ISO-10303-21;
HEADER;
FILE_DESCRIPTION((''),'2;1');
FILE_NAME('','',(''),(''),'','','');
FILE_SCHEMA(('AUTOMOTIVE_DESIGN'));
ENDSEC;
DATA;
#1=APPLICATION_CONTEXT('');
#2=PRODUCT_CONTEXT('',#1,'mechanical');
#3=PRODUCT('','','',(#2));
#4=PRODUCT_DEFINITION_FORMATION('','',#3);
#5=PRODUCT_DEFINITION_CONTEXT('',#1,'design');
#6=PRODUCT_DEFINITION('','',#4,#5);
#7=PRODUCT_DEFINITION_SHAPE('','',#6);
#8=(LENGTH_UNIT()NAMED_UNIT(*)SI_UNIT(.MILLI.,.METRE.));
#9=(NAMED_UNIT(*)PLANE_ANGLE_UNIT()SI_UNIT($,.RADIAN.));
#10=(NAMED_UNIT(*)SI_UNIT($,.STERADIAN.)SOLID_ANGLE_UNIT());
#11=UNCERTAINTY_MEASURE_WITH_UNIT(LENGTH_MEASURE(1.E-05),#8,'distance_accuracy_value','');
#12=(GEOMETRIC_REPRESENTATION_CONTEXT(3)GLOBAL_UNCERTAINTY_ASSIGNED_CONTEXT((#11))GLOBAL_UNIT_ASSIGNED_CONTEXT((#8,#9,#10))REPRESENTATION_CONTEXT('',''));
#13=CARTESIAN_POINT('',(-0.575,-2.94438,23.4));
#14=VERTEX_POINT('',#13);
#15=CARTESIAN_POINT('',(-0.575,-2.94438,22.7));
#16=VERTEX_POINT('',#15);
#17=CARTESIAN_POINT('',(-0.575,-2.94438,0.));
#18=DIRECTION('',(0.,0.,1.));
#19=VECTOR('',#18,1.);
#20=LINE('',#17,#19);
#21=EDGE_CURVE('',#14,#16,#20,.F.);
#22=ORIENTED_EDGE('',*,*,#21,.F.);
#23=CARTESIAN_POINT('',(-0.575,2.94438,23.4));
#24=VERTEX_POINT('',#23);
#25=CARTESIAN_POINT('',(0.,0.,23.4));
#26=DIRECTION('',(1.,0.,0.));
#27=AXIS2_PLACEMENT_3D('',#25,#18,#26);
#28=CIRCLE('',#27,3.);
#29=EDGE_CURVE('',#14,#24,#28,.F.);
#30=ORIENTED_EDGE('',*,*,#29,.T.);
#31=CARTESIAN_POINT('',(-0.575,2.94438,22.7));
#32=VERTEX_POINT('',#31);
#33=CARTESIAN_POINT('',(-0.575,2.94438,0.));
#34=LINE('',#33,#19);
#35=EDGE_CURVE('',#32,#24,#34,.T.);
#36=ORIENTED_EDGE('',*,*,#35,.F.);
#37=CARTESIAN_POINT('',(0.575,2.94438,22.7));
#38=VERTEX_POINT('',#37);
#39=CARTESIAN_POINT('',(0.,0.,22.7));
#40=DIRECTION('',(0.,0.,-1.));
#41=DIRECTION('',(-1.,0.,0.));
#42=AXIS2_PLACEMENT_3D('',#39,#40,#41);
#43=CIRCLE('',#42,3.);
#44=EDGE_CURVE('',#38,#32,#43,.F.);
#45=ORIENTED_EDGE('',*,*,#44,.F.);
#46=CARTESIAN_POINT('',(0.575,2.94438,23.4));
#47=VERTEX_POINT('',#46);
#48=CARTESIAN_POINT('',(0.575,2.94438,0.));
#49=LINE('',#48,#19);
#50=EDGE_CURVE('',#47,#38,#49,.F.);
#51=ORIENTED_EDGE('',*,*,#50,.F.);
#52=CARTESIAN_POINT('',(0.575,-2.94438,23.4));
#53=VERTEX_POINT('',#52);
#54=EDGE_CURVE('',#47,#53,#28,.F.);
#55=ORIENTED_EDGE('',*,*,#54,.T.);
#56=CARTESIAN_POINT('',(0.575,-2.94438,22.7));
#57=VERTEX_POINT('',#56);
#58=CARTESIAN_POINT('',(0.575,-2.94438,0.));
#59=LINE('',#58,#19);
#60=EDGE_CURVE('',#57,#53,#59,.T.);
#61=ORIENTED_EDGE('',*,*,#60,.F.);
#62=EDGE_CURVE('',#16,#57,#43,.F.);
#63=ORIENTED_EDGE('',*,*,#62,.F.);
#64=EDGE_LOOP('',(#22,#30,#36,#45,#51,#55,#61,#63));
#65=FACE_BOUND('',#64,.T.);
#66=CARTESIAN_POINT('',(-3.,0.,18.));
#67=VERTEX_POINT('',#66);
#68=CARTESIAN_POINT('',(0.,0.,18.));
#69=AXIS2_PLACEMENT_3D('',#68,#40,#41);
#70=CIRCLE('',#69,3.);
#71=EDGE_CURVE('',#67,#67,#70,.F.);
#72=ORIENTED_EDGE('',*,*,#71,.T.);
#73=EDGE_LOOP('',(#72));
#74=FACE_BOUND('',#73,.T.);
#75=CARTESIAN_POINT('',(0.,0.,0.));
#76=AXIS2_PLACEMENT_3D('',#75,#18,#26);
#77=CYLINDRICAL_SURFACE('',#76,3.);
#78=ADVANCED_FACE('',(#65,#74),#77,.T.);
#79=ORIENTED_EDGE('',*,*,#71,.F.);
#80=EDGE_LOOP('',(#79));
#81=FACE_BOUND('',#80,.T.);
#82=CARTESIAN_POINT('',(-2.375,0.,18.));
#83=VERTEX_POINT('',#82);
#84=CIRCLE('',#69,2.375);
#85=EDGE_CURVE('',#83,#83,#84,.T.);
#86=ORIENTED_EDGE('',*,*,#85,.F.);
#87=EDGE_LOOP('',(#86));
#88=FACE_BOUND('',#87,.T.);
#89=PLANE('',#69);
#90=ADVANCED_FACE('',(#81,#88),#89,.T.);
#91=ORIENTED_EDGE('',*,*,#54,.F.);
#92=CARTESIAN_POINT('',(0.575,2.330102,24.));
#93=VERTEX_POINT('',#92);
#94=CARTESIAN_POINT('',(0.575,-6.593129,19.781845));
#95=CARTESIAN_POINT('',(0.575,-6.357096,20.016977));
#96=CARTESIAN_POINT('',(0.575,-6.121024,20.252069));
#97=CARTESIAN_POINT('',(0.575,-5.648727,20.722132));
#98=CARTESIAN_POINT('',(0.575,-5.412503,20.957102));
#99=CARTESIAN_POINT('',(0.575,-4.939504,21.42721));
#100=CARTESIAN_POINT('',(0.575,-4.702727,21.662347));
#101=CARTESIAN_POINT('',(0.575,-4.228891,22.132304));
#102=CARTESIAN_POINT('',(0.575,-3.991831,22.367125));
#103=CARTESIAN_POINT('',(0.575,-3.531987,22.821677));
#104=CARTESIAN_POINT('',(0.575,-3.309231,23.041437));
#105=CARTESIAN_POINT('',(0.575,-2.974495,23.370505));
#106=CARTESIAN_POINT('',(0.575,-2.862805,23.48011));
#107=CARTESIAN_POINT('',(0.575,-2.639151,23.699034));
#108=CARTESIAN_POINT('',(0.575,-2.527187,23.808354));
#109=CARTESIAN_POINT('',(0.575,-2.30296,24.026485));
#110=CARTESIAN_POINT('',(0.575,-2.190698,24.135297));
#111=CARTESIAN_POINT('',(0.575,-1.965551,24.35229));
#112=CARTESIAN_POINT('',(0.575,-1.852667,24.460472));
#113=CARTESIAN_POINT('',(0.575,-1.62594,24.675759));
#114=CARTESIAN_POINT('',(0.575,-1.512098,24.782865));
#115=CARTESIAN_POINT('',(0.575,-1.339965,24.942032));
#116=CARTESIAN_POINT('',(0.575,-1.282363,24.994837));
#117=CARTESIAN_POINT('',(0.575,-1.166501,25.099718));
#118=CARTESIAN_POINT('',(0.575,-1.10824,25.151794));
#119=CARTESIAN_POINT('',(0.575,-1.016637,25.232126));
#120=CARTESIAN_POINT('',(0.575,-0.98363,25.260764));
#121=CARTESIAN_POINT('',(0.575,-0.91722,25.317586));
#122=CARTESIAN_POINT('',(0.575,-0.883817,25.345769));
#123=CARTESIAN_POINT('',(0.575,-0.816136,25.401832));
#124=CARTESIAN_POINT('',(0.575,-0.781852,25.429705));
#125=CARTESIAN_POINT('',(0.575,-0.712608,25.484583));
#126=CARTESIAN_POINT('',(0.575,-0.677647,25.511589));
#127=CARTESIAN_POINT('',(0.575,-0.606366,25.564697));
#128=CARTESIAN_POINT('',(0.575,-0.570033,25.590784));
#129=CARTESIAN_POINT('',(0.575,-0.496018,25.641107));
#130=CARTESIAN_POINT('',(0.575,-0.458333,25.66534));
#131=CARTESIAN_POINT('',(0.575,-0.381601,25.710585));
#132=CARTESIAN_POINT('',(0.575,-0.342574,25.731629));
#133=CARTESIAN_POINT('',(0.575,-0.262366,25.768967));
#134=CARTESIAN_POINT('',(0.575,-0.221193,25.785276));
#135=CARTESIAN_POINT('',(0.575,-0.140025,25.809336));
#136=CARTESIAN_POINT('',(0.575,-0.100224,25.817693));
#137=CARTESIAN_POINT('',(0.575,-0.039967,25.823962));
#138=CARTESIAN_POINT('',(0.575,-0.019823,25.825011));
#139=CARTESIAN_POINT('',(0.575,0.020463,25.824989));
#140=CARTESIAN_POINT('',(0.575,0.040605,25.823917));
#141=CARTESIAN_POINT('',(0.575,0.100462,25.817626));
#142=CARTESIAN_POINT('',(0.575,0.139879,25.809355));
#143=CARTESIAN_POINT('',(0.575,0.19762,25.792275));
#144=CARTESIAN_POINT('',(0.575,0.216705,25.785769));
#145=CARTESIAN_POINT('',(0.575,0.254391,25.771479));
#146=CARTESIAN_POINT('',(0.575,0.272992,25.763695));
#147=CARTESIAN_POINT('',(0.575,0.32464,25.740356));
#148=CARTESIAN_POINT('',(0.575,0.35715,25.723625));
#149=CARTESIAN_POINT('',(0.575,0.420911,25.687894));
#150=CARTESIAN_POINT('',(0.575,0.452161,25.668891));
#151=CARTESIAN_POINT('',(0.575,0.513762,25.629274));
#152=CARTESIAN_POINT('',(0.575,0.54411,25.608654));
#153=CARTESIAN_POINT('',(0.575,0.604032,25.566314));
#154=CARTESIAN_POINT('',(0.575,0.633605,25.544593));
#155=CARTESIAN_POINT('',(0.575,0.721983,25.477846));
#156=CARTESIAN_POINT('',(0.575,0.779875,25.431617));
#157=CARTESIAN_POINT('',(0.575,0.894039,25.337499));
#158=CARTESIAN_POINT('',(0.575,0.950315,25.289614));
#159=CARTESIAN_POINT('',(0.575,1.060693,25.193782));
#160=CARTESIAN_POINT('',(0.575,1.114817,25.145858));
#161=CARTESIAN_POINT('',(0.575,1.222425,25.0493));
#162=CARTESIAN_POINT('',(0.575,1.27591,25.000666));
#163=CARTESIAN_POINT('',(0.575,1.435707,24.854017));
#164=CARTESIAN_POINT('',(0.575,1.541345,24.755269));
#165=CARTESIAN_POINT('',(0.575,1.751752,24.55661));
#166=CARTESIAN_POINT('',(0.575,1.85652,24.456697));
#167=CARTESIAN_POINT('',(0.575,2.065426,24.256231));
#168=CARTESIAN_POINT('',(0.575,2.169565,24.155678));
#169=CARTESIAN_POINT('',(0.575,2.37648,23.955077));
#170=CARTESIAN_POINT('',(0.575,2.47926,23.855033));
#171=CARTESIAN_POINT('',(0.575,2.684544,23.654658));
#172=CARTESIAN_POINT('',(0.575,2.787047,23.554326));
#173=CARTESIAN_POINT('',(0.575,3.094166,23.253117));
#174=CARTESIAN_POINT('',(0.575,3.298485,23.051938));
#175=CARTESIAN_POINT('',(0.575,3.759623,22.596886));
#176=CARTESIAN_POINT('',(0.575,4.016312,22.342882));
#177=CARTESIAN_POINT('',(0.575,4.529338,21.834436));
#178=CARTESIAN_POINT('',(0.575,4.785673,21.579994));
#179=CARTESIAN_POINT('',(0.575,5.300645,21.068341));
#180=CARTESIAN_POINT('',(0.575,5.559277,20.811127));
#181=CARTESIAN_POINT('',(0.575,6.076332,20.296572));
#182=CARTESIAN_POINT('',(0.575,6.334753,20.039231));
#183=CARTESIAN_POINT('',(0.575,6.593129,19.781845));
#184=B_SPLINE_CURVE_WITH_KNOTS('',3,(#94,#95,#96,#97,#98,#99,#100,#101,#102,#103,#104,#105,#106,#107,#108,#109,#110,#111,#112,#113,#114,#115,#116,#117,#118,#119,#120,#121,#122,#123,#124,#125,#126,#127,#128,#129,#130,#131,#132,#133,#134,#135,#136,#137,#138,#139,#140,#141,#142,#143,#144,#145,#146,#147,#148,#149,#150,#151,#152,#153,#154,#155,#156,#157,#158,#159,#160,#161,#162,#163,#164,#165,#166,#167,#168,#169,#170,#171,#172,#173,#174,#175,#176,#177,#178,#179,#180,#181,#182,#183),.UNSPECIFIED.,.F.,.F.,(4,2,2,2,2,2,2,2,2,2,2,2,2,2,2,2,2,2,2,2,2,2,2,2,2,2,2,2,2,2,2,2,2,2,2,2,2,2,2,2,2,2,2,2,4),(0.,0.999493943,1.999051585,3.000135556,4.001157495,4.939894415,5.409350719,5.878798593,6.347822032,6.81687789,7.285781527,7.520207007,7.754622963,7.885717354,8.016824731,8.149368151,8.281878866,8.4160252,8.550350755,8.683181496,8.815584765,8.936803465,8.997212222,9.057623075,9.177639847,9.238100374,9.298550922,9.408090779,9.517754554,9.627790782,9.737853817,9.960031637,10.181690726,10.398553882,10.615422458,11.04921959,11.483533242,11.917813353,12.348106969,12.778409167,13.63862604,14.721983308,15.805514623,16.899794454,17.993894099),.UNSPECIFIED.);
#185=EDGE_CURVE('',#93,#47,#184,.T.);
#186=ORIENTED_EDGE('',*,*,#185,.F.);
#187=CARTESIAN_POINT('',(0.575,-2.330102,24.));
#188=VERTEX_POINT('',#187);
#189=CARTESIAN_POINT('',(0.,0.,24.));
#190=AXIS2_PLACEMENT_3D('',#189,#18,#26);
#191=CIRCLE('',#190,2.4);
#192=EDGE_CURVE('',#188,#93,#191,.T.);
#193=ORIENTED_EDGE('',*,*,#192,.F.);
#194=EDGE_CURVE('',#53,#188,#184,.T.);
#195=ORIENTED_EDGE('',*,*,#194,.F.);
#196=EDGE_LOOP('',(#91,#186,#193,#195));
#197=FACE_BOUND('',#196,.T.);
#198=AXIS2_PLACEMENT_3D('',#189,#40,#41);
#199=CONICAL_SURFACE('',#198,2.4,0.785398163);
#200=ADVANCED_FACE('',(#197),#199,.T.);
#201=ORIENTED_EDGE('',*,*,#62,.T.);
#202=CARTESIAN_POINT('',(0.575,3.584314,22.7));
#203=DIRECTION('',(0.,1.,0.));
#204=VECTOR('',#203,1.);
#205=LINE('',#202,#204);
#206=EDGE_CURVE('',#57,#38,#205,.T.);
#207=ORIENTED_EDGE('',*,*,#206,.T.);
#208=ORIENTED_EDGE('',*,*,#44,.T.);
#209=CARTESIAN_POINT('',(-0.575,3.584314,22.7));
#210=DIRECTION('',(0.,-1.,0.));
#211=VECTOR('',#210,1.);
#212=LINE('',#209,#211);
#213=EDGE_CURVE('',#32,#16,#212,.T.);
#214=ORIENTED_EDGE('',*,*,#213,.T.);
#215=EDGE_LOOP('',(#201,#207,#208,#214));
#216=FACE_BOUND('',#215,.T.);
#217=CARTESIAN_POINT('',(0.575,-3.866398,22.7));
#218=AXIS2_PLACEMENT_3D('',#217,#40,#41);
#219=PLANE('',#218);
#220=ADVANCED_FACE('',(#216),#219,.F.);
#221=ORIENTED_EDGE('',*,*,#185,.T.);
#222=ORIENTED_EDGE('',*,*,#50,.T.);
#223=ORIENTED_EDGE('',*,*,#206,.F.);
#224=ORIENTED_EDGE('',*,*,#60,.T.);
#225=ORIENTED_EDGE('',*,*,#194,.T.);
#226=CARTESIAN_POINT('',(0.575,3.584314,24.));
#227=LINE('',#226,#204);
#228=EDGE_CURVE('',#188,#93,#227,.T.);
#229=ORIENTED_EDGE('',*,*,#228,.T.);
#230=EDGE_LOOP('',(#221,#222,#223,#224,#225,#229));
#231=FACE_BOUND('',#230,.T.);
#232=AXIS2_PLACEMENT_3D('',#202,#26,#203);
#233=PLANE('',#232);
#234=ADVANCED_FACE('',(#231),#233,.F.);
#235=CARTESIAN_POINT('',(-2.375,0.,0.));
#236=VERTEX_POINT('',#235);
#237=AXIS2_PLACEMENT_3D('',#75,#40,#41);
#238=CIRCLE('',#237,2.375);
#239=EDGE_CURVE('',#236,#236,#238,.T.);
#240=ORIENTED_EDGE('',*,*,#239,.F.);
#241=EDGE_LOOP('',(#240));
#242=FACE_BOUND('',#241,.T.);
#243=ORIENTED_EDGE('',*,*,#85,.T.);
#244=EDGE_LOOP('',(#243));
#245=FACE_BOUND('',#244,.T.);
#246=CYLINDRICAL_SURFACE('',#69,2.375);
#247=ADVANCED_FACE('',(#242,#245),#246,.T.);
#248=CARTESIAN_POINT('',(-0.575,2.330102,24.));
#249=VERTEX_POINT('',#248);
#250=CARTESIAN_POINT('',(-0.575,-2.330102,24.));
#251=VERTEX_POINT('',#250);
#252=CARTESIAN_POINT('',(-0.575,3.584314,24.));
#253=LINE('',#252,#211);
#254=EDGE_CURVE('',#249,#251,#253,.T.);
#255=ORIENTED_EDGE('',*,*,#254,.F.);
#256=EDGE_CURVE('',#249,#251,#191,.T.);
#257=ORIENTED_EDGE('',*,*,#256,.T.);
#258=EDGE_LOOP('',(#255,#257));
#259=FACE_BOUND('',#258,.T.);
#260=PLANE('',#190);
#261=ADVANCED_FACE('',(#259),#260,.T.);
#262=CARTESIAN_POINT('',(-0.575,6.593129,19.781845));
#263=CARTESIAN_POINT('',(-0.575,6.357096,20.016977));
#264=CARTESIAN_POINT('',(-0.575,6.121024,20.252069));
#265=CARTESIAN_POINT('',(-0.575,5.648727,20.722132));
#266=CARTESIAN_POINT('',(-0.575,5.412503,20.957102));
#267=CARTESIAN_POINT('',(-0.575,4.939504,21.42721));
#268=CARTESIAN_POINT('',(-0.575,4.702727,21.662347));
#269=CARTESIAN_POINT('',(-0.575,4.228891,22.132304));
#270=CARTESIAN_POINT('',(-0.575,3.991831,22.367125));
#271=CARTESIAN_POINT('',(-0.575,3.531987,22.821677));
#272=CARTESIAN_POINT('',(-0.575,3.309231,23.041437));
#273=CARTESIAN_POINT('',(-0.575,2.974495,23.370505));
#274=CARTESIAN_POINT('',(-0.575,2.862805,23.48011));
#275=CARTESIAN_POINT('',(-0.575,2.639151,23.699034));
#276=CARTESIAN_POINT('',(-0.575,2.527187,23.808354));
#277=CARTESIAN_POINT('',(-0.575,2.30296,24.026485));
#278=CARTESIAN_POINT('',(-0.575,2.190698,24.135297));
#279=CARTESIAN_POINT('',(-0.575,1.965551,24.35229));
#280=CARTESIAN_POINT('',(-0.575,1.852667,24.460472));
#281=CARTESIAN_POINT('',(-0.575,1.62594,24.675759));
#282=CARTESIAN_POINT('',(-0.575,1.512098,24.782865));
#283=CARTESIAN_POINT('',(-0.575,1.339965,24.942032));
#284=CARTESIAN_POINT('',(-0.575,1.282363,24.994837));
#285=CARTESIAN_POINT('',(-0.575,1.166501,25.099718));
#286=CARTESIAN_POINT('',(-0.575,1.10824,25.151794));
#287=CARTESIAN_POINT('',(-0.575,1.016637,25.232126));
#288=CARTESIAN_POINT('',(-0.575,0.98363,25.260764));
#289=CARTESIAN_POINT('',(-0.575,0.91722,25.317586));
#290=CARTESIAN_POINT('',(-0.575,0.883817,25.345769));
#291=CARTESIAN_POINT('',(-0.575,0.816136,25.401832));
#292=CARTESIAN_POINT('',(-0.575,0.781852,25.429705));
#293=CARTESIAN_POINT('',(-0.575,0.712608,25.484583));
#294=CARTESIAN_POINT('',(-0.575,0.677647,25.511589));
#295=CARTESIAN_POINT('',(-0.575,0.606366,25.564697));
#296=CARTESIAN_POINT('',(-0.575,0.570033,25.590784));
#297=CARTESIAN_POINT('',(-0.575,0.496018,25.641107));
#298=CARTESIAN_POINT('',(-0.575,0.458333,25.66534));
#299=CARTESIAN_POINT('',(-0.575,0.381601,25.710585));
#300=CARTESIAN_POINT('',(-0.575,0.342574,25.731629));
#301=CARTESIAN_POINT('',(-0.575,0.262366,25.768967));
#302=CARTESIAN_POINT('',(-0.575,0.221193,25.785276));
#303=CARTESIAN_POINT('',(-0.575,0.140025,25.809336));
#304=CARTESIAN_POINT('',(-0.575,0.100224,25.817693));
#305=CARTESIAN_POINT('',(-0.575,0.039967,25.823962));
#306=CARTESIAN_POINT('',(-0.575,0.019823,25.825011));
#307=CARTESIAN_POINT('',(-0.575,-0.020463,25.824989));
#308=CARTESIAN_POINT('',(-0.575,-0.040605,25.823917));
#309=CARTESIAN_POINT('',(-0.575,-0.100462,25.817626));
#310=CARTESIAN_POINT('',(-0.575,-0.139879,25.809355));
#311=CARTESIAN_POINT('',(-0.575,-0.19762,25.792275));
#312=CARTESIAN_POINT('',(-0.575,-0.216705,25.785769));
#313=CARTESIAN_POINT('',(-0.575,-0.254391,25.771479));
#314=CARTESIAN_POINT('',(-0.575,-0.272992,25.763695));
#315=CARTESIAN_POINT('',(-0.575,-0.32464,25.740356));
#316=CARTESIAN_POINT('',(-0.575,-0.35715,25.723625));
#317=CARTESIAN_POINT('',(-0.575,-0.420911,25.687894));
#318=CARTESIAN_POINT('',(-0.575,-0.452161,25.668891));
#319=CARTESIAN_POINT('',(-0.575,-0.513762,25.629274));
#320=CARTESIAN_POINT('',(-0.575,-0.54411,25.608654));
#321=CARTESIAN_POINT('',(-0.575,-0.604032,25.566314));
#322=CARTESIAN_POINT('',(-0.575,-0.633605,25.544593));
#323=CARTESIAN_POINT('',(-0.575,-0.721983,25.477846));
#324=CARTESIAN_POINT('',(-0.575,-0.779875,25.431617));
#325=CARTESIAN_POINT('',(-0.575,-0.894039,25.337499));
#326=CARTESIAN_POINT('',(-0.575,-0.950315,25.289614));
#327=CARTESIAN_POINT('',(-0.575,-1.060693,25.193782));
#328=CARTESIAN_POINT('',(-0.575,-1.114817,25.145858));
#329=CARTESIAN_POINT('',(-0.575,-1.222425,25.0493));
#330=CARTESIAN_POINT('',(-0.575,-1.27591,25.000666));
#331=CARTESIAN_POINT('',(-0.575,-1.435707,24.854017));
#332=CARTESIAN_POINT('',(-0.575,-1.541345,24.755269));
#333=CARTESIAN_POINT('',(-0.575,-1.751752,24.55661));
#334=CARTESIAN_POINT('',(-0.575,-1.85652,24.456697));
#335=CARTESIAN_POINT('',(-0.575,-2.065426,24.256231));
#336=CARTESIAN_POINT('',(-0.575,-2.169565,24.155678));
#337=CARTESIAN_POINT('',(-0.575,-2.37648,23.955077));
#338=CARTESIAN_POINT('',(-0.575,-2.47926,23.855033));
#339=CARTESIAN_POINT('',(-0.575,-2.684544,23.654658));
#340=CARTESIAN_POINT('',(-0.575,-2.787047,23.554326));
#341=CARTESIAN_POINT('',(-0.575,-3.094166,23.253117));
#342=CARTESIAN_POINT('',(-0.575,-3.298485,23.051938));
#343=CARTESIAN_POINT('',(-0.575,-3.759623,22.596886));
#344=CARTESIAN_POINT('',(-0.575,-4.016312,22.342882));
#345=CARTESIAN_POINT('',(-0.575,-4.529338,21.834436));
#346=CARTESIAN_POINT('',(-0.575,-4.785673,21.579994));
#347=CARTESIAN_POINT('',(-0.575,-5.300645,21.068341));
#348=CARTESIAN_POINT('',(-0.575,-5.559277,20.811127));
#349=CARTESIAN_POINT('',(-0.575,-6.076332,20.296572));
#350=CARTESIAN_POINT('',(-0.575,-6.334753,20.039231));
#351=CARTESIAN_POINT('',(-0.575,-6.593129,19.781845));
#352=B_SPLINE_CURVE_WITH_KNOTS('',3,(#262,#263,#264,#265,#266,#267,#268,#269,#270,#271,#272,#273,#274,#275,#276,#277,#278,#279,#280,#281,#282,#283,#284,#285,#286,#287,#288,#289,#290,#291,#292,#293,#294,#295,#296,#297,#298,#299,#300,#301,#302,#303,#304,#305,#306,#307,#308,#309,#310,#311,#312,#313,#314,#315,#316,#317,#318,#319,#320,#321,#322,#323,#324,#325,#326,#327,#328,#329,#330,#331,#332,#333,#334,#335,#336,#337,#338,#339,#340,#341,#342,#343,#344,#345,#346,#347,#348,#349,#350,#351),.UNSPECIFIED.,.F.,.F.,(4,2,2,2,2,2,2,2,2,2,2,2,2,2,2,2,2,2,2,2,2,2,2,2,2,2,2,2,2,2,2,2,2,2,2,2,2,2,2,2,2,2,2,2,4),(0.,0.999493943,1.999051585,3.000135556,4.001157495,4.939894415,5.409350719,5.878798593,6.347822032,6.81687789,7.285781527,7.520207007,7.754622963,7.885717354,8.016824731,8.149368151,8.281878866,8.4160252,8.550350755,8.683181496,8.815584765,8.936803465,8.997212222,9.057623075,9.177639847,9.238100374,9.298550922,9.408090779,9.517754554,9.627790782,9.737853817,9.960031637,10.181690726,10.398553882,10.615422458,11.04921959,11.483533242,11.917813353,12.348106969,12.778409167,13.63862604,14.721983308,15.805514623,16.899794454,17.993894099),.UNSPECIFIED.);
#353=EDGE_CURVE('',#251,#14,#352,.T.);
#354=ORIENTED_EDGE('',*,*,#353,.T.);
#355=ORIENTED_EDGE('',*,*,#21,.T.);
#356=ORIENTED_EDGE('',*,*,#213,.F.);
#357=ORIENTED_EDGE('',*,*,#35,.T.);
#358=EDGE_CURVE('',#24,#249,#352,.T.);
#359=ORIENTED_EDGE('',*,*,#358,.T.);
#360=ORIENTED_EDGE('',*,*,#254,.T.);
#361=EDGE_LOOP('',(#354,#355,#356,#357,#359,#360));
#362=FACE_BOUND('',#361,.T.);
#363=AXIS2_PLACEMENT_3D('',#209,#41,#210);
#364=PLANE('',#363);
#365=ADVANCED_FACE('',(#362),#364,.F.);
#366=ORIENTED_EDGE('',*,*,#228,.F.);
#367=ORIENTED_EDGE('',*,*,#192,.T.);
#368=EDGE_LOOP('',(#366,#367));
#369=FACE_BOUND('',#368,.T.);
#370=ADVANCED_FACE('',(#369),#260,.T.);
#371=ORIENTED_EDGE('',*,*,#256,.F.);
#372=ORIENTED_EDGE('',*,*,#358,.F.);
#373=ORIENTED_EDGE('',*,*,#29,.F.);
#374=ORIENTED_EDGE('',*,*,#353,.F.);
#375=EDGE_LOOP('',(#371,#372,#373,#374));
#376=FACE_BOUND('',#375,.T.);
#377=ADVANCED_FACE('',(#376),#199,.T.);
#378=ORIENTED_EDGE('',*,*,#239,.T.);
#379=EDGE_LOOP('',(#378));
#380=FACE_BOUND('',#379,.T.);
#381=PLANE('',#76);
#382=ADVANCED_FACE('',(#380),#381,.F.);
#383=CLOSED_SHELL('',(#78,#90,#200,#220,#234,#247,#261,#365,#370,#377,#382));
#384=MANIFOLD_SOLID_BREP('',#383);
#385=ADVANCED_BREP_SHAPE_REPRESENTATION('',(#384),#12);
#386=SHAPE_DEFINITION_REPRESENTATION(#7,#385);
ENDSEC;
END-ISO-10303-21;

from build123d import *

# Parameters (mm, degrees)
ESQUISSE3_W             = 3
ESQUISSE3_H             = 24
CHANFREIN1_SIZE         = 0.6
ESQUISSE6_R             = 3.5
ENL_V_MAT_EXTRU_1_DEPTH = 25.505101524
ESQUISSE7_OUTSIDE_W     = 13.092
ESQUISSE7_OUTSIDE_H     = 13.092
ESQUISSE7_OUTSIDE_R     = 2.375
ENL_V_MAT_EXTRU_2_DEPTH = 18
ESQUISSE8_W             = 1.15
ESQUISSE8_H             = 7.450711795
ENL_V_MAT_EXTRU_3_DEPTH = 1.3


with BuildPart() as part:
    # Esquisse1 → Base-Révolution (revolve)
    with BuildSketch(Plane(origin=(0, 0, 0), x_dir=(1, 0, 0), z_dir=(0, 1, 0))):
        with BuildLine():
            Line((0, 0), (3.5, 0))
            Line((3.5, 0), (3.5, 3.6))
            ThreePointArc((3.5, 3.6), (3.382842712, 3.882842712), (3.1, 4))
            Line((3.1, 4), (0, 4))
            Line((0, 4), (0, 0))
        make_face()
    revolve(axis=Axis((0, 0, 0), (0, 0, -1)))

    # Esquisse3 → Boss.-Révol.1 (revolve)
    with BuildSketch(Plane(origin=(0, 0, 0), x_dir=(1, 0, 0), z_dir=(0, 1, 0))):
        with Locations((1.5, -12)):
            Rectangle(ESQUISSE3_W, ESQUISSE3_H)
    revolve(axis=Axis((0, 0, 0), (0, 0, 1)))

    # Chanfrein1
    chanfrein1_edges = [part.edges().sort_by_distance(p)[0] for p in [
        (-3, 0, 24),
    ]]
    chamfer(chanfrein1_edges, length=CHANFREIN1_SIZE)

    # Esquisse6 → Enlèv. mat.-Extru.1 (cut, through all)
    with BuildSketch(Plane.XY):
        Circle(ESQUISSE6_R)
    extrude(amount=-ENL_V_MAT_EXTRU_1_DEPTH, mode=Mode.SUBTRACT)

    # Esquisse7 outside → Enlèv. mat.-Extru.2 (cut)
    with BuildSketch(Plane(origin=(0, 0, 0), x_dir=(-1, 0, 0), z_dir=(0, 0, -1))):
        Rectangle(ESQUISSE7_OUTSIDE_W, ESQUISSE7_OUTSIDE_H)
        Circle(ESQUISSE7_OUTSIDE_R, mode=Mode.SUBTRACT)
    extrude(amount=-ENL_V_MAT_EXTRU_2_DEPTH, mode=Mode.SUBTRACT)

    # Esquisse8 → Enlèv. mat.-Extru.3 (cut)
    with BuildSketch(Plane.XY.offset(24)):
        with Locations((0, -0.141041798)):
            Rectangle(ESQUISSE8_W, ESQUISSE8_H)
    extrude(amount=-ENL_V_MAT_EXTRU_3_DEPTH, mode=Mode.SUBTRACT)


solid = part.part
